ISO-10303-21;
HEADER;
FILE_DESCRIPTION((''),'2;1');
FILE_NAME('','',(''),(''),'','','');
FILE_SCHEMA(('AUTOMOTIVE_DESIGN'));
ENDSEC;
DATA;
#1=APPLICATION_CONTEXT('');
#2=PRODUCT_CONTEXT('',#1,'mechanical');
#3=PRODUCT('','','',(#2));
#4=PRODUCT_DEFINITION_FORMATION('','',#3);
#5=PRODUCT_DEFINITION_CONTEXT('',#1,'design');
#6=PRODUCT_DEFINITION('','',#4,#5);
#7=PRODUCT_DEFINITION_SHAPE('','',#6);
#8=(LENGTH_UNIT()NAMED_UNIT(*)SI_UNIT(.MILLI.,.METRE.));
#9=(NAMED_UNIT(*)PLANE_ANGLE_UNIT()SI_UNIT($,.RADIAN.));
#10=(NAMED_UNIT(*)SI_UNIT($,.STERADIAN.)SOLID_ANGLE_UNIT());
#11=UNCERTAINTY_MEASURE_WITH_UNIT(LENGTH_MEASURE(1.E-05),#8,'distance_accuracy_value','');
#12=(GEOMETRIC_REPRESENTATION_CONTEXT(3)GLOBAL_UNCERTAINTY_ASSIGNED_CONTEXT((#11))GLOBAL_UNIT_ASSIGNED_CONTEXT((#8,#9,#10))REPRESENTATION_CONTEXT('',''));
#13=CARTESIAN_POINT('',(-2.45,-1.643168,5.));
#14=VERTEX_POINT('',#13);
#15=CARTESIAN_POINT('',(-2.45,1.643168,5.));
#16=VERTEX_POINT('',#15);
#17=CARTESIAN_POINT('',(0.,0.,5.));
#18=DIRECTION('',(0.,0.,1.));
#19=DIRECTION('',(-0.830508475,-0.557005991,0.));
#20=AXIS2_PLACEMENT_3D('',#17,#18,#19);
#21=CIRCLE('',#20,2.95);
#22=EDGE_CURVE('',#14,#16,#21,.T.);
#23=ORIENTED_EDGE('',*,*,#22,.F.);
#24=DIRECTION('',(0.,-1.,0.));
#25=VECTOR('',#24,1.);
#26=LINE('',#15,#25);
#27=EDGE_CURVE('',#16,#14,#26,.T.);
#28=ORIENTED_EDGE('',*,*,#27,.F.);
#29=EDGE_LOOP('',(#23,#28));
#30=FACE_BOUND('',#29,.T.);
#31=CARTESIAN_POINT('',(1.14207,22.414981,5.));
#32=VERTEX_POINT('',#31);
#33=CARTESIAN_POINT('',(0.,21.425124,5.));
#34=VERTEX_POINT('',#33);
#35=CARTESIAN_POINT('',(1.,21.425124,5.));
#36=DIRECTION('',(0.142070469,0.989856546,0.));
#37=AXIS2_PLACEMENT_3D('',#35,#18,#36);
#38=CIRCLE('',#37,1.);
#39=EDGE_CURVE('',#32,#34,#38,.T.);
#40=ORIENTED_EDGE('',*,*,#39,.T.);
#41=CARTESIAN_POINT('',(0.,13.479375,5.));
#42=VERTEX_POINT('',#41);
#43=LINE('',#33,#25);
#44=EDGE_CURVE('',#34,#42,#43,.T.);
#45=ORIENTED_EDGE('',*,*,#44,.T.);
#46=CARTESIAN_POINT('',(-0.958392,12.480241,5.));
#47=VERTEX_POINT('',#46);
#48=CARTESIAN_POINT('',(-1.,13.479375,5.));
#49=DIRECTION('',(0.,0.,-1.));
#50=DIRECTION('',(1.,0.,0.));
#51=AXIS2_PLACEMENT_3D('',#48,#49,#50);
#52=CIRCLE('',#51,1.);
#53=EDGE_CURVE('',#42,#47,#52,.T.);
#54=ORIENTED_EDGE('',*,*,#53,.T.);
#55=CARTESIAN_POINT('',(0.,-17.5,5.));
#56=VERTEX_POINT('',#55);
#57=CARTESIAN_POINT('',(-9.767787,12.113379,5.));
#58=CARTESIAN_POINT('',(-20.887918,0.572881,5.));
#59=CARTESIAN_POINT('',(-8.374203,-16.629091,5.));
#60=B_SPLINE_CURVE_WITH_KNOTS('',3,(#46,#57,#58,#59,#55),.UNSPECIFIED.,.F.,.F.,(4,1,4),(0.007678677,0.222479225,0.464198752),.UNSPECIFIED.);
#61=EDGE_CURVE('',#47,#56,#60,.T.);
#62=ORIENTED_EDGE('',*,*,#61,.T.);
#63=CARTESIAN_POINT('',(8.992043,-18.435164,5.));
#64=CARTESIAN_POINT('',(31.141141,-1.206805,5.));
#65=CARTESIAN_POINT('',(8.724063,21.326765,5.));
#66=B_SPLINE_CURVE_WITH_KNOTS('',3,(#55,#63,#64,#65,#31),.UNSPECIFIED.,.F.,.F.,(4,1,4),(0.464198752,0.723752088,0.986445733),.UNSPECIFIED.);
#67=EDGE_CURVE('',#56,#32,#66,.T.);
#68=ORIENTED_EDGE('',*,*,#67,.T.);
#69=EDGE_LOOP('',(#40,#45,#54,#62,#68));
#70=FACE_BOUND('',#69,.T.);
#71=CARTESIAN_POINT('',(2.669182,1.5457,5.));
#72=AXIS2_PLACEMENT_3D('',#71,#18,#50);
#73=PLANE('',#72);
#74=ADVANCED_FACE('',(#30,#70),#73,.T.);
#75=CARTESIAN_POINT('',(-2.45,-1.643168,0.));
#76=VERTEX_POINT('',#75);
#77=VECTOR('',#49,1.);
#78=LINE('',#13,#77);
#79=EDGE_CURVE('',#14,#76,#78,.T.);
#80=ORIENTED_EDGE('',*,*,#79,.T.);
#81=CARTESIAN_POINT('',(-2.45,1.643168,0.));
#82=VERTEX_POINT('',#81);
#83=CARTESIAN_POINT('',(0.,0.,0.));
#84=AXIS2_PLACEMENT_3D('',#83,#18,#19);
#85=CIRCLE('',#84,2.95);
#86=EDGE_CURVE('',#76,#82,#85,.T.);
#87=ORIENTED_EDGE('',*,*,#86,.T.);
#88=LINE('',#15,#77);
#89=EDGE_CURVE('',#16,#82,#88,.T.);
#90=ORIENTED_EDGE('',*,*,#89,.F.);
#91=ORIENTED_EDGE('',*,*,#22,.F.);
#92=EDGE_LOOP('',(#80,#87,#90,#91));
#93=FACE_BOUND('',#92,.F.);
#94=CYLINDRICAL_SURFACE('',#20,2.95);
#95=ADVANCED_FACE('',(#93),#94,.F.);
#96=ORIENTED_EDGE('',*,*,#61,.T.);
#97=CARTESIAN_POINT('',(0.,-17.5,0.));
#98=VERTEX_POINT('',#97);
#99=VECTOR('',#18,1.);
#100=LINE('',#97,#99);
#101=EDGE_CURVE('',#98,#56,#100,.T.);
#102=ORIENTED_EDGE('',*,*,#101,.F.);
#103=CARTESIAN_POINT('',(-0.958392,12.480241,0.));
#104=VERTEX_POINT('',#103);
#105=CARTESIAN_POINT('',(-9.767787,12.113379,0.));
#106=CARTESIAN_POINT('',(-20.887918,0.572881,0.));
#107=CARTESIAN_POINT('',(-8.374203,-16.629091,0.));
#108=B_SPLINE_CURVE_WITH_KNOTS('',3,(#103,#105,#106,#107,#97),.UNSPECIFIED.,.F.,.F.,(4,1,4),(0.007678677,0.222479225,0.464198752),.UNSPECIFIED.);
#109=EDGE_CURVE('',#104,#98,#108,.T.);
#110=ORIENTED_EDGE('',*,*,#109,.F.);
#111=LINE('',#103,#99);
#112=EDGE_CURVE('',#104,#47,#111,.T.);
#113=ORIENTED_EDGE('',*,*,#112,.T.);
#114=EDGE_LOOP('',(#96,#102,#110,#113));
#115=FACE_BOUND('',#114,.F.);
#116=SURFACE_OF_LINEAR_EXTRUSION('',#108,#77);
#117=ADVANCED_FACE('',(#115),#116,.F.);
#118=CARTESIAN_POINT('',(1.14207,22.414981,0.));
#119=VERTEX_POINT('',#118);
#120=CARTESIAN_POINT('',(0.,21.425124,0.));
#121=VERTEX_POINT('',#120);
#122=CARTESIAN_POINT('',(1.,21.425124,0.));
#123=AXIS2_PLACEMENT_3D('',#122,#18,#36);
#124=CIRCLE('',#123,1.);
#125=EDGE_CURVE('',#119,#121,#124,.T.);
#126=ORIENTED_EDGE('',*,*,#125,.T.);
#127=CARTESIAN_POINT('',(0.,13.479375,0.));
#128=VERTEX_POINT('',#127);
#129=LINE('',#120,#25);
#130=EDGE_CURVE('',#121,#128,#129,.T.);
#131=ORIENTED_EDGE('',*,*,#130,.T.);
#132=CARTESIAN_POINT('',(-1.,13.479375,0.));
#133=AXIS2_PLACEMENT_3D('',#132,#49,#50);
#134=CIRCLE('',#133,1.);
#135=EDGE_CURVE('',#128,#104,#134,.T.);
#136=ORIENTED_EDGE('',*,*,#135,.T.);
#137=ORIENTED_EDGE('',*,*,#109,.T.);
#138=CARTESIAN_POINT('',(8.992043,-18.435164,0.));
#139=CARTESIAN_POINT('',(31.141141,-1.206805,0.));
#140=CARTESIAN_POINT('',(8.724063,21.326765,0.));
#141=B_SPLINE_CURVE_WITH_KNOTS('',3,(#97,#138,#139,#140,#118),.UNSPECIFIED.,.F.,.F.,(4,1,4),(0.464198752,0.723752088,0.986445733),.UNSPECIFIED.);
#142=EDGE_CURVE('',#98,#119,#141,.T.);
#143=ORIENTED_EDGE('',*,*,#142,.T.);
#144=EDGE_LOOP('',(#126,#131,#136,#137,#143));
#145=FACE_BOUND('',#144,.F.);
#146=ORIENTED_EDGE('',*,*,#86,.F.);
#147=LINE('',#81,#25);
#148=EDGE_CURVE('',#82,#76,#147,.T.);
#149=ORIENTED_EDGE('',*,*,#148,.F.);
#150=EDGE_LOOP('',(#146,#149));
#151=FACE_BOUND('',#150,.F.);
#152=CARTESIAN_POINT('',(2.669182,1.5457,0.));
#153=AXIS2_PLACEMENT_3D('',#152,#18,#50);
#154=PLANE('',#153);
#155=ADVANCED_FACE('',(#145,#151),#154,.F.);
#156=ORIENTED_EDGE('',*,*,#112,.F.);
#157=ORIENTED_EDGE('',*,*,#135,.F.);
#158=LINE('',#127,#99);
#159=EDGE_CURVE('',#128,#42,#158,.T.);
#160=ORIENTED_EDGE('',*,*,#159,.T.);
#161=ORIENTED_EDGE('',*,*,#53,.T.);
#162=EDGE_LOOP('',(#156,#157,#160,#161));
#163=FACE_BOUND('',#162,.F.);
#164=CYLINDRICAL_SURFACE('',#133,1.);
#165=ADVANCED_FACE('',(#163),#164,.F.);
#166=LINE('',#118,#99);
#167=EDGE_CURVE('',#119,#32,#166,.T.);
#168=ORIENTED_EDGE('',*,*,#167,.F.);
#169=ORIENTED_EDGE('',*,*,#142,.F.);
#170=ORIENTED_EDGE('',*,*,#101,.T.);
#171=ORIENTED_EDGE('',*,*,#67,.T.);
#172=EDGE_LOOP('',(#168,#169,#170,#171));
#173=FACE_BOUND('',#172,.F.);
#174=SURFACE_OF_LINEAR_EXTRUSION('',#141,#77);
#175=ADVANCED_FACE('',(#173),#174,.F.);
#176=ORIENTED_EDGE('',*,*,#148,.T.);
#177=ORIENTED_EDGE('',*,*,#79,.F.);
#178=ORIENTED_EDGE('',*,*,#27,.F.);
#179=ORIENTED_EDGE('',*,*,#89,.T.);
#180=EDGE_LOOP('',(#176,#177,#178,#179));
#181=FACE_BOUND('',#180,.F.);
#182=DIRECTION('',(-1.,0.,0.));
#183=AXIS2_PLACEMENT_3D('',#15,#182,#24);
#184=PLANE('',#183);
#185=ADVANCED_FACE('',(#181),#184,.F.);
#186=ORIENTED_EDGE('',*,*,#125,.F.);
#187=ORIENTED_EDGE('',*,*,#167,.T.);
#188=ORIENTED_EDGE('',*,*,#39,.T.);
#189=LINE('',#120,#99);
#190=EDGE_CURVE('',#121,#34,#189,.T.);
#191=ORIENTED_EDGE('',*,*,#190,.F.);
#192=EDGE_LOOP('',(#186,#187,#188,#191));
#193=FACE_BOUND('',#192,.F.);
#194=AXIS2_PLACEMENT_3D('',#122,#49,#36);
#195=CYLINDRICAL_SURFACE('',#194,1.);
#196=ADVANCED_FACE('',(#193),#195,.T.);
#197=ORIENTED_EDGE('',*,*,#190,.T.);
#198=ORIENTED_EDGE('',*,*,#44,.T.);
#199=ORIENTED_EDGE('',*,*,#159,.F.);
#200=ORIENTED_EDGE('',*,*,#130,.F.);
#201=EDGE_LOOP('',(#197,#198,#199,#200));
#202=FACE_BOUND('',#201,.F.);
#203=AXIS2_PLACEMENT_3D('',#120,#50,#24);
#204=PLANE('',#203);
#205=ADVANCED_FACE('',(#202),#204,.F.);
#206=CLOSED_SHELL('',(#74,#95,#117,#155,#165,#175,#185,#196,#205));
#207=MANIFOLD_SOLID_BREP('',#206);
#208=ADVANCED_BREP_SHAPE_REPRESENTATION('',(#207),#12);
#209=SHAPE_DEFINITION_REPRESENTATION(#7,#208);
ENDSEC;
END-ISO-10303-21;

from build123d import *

# Parameters (mm, degrees)
F1_DEPTH = 5
F3_DEPTH = 5


with BuildPart() as f1:
    # F0 (on Top) → F1 (new body)
    with BuildSketch(Plane.XY):
        with BuildLine():
            ThreePointArc((1.1420704693, 22.4149806807), (0.3450459823, 22.180792868), (0, 21.4251241346))
            Line((0, 21.4251241346), (0, 13.4793751215))
            ThreePointArc((0, 13.4793751215), (-0.2783323598, 12.7871354108), (-0.9583916341, 12.4802411245))
            add(Edge.make_bspline(
                [(-0.9583916341, 12.4802411245), (-9.7677869501, 12.1133788767), (-20.8879182433, 0.572881244), (-8.3742030553, -16.6290905544), (0, -17.5)],
                knots=[0.0076786773, 0.0076786773, 0.0076786773, 0.0076786773, 0.2224792249, 0.4641987518, 0.4641987518, 0.4641987518, 0.4641987518], degree=3))
            add(Edge.make_bspline(
                [(0, -17.5), (8.9920428291, -18.4351642161), (31.1411413145, -1.2068050011), (8.7240631606, 21.3267651565), (1.1420704693, 22.4149806807)],
                knots=[0.4641987518, 0.4641987518, 0.4641987518, 0.4641987518, 0.7237520877, 0.9864457327, 0.9864457327, 0.9864457327, 0.9864457327], degree=3))
        make_face()
    extrude(amount=F1_DEPTH)

    # F2 (on face) → F3 (cut)
    with BuildSketch(Plane.XY.offset(5)):
        with BuildLine():
            ThreePointArc((-2.45, -1.6431676725), (2.95, 0), (-2.45, 1.6431676725))
            Line((-2.45, 1.6431676725), (-2.45, -1.6431676725))
        make_face()
    extrude(amount=-F3_DEPTH, mode=Mode.SUBTRACT)


solid = f1.part
